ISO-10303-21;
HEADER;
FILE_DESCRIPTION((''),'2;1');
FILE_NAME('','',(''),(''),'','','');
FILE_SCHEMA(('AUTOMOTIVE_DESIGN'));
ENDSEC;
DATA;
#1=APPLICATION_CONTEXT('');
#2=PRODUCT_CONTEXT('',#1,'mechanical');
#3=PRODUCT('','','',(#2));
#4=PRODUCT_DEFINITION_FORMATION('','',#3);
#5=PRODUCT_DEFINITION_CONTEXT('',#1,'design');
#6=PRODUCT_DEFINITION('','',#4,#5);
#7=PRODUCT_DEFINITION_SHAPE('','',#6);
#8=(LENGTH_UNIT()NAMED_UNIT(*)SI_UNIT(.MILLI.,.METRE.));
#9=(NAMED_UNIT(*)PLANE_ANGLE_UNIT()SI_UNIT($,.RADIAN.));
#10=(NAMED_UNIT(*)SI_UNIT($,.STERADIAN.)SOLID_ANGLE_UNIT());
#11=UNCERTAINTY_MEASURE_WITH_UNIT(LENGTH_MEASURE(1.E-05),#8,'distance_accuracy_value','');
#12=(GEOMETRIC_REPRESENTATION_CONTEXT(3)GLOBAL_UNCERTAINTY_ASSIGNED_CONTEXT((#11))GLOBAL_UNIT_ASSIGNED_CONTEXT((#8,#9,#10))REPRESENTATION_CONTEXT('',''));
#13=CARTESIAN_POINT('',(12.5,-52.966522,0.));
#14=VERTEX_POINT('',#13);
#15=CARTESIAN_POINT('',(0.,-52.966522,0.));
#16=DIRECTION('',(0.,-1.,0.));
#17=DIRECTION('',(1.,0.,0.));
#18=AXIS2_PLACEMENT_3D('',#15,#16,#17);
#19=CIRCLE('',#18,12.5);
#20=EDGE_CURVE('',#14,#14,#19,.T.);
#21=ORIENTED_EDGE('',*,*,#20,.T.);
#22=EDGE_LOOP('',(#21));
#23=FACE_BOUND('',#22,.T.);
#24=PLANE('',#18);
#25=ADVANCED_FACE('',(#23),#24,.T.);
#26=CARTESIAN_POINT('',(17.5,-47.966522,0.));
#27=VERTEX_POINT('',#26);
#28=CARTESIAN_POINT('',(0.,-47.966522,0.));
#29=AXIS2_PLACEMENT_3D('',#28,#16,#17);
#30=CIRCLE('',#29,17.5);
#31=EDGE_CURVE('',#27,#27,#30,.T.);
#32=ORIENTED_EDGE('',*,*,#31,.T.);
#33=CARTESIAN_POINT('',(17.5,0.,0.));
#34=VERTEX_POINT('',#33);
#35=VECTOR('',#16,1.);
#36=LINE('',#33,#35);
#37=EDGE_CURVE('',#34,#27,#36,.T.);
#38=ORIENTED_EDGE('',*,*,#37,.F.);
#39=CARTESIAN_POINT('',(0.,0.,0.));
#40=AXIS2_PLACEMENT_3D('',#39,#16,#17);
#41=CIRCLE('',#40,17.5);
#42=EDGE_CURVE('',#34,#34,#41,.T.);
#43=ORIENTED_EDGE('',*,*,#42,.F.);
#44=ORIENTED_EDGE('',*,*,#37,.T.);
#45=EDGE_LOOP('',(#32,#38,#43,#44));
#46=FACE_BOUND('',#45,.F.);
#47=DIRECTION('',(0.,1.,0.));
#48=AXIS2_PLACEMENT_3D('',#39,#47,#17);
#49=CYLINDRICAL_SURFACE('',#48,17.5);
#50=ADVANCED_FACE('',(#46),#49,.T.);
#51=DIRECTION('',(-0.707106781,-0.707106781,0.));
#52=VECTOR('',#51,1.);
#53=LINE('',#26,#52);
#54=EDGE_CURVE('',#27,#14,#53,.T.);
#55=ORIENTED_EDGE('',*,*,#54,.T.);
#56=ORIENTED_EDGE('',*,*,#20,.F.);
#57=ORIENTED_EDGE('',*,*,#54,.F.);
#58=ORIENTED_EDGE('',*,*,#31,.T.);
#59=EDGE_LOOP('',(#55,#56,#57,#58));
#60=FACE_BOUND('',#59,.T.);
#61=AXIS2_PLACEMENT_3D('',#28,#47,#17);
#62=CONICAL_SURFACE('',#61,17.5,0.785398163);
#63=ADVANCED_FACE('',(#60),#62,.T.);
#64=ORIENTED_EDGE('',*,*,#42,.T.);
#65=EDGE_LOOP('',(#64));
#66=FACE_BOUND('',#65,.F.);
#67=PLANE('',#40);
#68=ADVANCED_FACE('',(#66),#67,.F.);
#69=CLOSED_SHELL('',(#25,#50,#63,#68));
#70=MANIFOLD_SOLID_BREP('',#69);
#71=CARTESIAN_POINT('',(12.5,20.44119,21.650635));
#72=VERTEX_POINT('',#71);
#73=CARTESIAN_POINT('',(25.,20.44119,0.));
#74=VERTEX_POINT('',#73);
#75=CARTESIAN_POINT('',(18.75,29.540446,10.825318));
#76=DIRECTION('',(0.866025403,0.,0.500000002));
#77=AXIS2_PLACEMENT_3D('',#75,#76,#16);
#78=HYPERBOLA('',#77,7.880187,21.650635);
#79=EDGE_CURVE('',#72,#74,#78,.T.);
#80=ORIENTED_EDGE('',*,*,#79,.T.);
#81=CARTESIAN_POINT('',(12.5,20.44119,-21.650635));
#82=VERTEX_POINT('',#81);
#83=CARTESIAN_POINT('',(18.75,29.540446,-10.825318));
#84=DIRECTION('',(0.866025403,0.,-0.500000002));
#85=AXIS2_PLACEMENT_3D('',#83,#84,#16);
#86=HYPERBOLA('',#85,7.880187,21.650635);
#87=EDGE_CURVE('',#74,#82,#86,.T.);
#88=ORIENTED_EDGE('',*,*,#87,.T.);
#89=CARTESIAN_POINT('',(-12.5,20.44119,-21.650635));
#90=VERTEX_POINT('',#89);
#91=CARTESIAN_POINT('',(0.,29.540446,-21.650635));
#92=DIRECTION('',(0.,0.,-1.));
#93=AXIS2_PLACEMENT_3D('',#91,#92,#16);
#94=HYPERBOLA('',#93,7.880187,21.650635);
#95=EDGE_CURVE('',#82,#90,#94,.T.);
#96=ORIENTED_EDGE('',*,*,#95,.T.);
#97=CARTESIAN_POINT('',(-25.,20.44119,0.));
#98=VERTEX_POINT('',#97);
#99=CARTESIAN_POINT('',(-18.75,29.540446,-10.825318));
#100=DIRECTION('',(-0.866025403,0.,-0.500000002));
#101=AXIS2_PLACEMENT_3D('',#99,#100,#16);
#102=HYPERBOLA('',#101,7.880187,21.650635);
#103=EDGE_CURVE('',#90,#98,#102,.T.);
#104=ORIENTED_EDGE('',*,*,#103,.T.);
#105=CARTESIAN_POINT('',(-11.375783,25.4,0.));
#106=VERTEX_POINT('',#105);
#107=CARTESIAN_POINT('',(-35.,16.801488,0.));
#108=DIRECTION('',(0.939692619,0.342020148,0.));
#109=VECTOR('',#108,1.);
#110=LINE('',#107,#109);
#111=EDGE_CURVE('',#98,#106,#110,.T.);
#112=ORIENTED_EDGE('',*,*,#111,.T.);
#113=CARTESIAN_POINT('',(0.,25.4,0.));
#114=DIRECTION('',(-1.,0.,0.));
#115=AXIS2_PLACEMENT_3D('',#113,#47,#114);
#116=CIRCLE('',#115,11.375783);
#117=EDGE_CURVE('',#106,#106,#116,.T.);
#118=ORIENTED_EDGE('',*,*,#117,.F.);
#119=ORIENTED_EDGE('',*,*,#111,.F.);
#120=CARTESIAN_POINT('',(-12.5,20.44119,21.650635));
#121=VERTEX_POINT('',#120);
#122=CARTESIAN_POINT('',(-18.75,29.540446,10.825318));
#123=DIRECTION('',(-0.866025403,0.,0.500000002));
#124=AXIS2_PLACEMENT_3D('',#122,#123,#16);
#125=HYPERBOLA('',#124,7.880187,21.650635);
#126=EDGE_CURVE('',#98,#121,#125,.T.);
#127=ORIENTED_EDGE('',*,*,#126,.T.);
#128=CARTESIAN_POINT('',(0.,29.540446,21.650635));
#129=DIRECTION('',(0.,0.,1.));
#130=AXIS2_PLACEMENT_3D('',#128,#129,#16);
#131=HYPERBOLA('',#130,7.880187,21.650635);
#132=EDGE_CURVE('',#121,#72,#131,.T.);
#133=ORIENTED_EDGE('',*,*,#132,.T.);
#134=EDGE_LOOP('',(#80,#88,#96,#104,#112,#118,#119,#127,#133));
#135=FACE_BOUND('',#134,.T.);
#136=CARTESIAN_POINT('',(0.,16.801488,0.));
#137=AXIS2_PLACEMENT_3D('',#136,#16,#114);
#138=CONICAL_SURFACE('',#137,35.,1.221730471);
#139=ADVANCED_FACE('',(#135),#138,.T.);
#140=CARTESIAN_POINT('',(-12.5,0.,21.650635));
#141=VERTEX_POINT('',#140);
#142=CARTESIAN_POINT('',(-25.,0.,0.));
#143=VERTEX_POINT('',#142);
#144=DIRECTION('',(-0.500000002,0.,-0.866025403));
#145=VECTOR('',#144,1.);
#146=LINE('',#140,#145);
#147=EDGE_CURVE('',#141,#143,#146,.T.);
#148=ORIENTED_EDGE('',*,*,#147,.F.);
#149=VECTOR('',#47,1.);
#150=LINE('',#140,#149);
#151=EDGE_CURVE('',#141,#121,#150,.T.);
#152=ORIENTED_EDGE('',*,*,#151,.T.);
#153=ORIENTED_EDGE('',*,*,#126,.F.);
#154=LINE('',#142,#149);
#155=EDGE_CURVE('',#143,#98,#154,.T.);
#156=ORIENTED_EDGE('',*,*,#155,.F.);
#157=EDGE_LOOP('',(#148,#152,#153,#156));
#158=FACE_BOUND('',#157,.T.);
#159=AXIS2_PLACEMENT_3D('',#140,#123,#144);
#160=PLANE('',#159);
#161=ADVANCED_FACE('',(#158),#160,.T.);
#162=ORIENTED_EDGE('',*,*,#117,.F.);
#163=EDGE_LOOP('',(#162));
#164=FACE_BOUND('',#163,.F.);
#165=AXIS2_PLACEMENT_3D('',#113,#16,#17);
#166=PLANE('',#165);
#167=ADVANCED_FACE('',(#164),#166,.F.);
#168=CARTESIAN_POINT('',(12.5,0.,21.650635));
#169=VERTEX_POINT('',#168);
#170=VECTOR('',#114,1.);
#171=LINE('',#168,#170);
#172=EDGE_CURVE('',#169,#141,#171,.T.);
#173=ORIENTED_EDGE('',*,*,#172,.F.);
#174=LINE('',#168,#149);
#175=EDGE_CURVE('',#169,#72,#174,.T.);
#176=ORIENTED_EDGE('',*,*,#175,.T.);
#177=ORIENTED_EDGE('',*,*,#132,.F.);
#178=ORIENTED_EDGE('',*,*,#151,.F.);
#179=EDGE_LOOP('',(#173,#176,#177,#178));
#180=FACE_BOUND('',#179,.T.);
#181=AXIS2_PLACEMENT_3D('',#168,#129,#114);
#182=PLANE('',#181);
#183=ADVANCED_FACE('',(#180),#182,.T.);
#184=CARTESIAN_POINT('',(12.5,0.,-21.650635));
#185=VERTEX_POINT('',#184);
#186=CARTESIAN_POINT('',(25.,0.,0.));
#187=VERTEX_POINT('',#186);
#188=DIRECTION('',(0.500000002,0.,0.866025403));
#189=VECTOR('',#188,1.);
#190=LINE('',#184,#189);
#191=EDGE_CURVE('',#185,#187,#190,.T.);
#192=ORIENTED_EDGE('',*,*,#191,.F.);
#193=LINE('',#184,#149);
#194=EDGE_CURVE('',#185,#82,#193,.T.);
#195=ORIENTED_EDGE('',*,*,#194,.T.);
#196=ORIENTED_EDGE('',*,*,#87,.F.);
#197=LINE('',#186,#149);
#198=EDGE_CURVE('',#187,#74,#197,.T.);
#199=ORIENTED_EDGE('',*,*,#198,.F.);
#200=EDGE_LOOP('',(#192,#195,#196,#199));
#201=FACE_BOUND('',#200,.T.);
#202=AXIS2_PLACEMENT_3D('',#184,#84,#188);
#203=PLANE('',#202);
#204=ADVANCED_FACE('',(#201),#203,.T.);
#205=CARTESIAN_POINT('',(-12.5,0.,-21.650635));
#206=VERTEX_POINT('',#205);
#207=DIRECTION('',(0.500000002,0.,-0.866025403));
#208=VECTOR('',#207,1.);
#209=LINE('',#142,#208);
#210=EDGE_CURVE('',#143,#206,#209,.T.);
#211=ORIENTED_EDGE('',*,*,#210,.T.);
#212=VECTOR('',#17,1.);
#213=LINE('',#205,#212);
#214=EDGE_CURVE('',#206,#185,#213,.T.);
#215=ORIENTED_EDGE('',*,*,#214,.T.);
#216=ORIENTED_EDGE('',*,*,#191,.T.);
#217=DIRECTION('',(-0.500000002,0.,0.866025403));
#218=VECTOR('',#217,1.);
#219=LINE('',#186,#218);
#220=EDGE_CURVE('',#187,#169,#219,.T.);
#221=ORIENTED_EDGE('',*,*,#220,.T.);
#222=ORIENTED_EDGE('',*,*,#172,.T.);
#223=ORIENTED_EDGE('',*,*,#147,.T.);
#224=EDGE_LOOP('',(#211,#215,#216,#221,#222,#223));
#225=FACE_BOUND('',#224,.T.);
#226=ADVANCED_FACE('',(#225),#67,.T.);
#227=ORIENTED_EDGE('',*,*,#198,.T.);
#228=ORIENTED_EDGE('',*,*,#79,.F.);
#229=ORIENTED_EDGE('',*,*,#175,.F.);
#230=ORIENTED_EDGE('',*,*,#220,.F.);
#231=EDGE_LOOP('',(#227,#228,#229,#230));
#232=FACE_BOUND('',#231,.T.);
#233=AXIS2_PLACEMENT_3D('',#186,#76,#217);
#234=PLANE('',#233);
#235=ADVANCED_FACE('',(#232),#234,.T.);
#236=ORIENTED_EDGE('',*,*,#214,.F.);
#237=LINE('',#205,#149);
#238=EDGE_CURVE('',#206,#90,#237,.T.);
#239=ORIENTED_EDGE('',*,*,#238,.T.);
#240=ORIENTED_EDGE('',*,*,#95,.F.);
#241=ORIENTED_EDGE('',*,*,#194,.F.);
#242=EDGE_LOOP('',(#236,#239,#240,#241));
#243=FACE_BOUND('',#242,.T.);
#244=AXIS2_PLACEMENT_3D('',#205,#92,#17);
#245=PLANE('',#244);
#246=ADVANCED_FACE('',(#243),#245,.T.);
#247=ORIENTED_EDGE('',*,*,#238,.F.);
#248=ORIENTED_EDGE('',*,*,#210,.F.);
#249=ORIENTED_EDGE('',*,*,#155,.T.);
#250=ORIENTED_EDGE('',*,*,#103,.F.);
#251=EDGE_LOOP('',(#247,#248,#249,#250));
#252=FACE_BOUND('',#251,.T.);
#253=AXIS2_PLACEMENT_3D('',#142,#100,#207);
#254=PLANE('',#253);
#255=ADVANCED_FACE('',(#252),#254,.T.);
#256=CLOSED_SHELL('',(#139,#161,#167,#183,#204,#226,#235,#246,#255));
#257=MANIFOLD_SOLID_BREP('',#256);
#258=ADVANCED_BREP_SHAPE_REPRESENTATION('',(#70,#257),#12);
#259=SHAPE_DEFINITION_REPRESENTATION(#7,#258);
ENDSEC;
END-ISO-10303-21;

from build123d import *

# Parameters (mm, degrees)
F1_DEPTH = 25.4
F2_R     = 17.5
F3_DEPTH = 52.966522
F6_SIZE  = 5


with BuildPart() as f1:
    # F0 (on Front) → F1 (new body)
    with BuildSketch(Plane.XZ):
        Polygon((12.5, -21.650635), (25, 0), (12.5, 21.650635), (-12.5, 21.650635), (-25, 0), (-12.5, -21.650635), align=None)
    extrude(amount=-F1_DEPTH)

    # F4 (on Top) → F5 (revolve, cut)
    with BuildSketch(Plane.XY):
        Polygon((-35, 35), (-35, 16.801488), (-10, 25.900744), (-10, 35), align=None)
    revolve(axis=Axis((0, 0, 0), (0, 1, 0)), mode=Mode.SUBTRACT)


with BuildPart() as f3:
    # F2 (on Front) → F3 (new body)
    with BuildSketch(Plane.XZ):
        Circle(F2_R)
    extrude(amount=F3_DEPTH)

    # F6
    f6_edges = [f3.edges().sort_by_distance(p)[0] for p in [
        (-17.5, -52.966522, 0),
    ]]
    chamfer(f6_edges, length=F6_SIZE)


solid = Compound([f1.part, f3.part])
